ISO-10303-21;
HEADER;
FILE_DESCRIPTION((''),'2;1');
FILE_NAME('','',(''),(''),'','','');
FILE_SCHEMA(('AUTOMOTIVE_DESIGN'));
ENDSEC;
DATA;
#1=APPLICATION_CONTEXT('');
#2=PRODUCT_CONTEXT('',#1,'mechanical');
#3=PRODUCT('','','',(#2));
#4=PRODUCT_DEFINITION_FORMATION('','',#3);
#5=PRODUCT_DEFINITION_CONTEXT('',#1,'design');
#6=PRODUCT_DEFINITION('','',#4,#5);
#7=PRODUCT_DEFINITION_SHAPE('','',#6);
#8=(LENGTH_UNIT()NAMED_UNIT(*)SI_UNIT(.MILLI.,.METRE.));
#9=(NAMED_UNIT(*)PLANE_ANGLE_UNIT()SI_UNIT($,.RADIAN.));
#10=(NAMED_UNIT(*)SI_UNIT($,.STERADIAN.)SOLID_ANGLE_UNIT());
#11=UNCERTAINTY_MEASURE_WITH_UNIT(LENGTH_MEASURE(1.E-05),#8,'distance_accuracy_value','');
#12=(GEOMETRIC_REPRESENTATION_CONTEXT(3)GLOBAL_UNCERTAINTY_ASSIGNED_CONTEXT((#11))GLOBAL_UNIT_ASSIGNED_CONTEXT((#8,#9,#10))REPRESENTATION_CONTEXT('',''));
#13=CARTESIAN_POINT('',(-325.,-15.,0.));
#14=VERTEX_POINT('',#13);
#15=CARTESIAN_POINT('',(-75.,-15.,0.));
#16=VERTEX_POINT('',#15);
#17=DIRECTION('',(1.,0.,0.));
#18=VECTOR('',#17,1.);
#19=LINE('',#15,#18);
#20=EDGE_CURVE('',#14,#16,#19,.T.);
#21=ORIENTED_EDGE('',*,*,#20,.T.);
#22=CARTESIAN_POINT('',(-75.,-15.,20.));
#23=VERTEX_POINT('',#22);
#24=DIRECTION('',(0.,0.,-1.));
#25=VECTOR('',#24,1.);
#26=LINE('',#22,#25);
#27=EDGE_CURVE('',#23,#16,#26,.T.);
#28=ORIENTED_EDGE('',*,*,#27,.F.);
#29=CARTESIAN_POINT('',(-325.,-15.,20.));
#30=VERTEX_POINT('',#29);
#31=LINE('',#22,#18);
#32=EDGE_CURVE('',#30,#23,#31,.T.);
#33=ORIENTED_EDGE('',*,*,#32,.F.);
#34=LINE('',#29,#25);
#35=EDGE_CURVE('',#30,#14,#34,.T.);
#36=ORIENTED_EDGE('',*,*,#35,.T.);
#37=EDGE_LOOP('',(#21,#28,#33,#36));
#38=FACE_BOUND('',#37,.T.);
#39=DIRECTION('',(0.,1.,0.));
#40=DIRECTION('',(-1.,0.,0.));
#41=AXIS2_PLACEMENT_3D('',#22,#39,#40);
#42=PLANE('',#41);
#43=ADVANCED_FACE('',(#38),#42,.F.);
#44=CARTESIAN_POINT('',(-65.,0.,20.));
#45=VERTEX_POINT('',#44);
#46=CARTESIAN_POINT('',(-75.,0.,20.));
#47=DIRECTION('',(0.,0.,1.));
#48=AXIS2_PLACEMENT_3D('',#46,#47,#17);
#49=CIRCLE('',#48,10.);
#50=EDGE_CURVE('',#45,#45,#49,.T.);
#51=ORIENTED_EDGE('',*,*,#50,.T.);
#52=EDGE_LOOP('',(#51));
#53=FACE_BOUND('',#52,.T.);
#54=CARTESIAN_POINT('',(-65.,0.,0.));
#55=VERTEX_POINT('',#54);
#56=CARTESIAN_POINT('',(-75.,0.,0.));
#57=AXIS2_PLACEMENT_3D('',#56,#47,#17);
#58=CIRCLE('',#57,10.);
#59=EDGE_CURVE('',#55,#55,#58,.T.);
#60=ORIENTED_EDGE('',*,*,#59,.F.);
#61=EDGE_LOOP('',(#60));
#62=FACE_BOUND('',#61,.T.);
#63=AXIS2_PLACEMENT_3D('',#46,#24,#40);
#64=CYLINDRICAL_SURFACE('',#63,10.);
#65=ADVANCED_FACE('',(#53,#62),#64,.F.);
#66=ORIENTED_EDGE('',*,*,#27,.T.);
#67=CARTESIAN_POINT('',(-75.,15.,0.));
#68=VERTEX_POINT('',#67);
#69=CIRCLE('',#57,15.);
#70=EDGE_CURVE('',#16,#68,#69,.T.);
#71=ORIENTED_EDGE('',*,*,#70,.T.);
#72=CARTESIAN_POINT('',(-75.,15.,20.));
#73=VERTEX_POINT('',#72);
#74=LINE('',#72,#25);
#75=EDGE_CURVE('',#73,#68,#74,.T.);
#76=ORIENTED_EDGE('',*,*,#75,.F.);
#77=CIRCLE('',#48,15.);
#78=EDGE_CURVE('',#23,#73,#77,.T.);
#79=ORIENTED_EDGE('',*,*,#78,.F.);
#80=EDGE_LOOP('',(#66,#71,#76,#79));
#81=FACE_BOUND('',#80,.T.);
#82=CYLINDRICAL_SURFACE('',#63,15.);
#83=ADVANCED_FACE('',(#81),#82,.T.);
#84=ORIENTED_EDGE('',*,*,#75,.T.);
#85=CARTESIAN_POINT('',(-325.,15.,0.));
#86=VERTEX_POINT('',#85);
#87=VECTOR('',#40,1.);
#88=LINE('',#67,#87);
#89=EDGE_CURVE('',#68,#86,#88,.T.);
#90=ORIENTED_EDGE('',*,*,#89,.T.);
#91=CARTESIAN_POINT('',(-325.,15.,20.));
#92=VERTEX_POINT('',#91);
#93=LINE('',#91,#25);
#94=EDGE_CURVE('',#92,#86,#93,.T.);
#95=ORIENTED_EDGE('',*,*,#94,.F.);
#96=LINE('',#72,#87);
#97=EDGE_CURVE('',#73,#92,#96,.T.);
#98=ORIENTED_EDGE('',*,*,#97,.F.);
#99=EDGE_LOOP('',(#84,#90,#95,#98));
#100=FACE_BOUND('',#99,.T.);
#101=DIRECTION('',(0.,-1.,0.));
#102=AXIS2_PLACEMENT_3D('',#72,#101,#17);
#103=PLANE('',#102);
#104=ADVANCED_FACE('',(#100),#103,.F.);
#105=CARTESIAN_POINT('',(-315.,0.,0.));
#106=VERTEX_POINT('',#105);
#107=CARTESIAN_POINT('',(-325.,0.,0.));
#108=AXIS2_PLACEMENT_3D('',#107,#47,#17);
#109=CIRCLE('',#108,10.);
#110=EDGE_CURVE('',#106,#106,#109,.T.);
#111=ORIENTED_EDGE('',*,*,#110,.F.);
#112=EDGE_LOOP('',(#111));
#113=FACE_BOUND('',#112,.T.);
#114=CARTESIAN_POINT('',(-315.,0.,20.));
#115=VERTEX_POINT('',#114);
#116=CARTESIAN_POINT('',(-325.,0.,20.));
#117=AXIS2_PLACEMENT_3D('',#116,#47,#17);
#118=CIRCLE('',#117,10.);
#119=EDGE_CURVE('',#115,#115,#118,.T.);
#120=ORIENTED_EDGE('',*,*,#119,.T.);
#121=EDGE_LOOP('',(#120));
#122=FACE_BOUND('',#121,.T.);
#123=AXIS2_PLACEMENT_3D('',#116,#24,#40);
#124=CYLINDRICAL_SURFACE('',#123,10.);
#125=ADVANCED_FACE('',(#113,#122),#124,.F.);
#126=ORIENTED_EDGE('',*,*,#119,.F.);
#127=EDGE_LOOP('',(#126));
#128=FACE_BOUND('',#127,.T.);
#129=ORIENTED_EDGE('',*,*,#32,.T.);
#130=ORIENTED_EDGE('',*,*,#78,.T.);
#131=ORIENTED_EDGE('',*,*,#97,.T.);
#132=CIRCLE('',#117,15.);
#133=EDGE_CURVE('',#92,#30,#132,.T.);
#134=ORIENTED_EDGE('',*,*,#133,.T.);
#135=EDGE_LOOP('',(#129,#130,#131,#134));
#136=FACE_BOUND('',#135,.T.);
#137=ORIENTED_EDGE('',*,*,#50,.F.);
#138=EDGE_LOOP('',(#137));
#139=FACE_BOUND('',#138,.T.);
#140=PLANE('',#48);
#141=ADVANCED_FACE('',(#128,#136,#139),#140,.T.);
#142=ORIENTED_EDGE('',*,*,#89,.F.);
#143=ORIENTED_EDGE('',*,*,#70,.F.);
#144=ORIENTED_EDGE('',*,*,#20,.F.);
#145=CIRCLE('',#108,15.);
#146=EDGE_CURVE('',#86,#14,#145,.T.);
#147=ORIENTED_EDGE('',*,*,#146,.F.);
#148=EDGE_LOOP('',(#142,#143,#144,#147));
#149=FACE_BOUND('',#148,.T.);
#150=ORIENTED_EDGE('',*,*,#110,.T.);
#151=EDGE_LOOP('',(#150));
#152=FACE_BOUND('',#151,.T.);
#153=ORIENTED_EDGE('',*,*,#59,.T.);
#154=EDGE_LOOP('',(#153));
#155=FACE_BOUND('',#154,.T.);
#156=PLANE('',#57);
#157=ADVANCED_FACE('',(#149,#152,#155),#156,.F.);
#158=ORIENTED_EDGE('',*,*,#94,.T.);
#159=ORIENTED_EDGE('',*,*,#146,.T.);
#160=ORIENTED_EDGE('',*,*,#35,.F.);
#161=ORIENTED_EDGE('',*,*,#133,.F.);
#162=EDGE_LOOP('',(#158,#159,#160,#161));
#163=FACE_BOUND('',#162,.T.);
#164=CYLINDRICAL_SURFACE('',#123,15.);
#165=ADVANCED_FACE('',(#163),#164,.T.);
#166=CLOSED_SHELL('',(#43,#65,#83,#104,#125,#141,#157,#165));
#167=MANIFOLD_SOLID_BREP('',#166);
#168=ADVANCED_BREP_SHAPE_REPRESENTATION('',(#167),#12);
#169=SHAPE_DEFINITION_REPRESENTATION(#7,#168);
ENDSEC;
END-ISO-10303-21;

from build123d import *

# Parameters (mm, degrees)
SKETCH_1_R      = 10
EXTRUDE_1_DEPTH = 20


with BuildPart() as part:
    # Эскиз1 → Бобышка-Вытянуть1 (new body)
    with BuildSketch(Plane.XY):
        with BuildLine():
            Line((-75, -15), (-325, -15))
            ThreePointArc((-325, -15), (-340, 0), (-325, 15))
            Line((-325, 15), (-75, 15))
            ThreePointArc((-75, 15), (-60, 0), (-75, -15))
        make_face()
        with Locations((-75, 0)):
            Circle(SKETCH_1_R, mode=Mode.SUBTRACT)
        with Locations((-325, 0)):
            Circle(SKETCH_1_R, mode=Mode.SUBTRACT)
    extrude(amount=EXTRUDE_1_DEPTH)


solid = part.part
